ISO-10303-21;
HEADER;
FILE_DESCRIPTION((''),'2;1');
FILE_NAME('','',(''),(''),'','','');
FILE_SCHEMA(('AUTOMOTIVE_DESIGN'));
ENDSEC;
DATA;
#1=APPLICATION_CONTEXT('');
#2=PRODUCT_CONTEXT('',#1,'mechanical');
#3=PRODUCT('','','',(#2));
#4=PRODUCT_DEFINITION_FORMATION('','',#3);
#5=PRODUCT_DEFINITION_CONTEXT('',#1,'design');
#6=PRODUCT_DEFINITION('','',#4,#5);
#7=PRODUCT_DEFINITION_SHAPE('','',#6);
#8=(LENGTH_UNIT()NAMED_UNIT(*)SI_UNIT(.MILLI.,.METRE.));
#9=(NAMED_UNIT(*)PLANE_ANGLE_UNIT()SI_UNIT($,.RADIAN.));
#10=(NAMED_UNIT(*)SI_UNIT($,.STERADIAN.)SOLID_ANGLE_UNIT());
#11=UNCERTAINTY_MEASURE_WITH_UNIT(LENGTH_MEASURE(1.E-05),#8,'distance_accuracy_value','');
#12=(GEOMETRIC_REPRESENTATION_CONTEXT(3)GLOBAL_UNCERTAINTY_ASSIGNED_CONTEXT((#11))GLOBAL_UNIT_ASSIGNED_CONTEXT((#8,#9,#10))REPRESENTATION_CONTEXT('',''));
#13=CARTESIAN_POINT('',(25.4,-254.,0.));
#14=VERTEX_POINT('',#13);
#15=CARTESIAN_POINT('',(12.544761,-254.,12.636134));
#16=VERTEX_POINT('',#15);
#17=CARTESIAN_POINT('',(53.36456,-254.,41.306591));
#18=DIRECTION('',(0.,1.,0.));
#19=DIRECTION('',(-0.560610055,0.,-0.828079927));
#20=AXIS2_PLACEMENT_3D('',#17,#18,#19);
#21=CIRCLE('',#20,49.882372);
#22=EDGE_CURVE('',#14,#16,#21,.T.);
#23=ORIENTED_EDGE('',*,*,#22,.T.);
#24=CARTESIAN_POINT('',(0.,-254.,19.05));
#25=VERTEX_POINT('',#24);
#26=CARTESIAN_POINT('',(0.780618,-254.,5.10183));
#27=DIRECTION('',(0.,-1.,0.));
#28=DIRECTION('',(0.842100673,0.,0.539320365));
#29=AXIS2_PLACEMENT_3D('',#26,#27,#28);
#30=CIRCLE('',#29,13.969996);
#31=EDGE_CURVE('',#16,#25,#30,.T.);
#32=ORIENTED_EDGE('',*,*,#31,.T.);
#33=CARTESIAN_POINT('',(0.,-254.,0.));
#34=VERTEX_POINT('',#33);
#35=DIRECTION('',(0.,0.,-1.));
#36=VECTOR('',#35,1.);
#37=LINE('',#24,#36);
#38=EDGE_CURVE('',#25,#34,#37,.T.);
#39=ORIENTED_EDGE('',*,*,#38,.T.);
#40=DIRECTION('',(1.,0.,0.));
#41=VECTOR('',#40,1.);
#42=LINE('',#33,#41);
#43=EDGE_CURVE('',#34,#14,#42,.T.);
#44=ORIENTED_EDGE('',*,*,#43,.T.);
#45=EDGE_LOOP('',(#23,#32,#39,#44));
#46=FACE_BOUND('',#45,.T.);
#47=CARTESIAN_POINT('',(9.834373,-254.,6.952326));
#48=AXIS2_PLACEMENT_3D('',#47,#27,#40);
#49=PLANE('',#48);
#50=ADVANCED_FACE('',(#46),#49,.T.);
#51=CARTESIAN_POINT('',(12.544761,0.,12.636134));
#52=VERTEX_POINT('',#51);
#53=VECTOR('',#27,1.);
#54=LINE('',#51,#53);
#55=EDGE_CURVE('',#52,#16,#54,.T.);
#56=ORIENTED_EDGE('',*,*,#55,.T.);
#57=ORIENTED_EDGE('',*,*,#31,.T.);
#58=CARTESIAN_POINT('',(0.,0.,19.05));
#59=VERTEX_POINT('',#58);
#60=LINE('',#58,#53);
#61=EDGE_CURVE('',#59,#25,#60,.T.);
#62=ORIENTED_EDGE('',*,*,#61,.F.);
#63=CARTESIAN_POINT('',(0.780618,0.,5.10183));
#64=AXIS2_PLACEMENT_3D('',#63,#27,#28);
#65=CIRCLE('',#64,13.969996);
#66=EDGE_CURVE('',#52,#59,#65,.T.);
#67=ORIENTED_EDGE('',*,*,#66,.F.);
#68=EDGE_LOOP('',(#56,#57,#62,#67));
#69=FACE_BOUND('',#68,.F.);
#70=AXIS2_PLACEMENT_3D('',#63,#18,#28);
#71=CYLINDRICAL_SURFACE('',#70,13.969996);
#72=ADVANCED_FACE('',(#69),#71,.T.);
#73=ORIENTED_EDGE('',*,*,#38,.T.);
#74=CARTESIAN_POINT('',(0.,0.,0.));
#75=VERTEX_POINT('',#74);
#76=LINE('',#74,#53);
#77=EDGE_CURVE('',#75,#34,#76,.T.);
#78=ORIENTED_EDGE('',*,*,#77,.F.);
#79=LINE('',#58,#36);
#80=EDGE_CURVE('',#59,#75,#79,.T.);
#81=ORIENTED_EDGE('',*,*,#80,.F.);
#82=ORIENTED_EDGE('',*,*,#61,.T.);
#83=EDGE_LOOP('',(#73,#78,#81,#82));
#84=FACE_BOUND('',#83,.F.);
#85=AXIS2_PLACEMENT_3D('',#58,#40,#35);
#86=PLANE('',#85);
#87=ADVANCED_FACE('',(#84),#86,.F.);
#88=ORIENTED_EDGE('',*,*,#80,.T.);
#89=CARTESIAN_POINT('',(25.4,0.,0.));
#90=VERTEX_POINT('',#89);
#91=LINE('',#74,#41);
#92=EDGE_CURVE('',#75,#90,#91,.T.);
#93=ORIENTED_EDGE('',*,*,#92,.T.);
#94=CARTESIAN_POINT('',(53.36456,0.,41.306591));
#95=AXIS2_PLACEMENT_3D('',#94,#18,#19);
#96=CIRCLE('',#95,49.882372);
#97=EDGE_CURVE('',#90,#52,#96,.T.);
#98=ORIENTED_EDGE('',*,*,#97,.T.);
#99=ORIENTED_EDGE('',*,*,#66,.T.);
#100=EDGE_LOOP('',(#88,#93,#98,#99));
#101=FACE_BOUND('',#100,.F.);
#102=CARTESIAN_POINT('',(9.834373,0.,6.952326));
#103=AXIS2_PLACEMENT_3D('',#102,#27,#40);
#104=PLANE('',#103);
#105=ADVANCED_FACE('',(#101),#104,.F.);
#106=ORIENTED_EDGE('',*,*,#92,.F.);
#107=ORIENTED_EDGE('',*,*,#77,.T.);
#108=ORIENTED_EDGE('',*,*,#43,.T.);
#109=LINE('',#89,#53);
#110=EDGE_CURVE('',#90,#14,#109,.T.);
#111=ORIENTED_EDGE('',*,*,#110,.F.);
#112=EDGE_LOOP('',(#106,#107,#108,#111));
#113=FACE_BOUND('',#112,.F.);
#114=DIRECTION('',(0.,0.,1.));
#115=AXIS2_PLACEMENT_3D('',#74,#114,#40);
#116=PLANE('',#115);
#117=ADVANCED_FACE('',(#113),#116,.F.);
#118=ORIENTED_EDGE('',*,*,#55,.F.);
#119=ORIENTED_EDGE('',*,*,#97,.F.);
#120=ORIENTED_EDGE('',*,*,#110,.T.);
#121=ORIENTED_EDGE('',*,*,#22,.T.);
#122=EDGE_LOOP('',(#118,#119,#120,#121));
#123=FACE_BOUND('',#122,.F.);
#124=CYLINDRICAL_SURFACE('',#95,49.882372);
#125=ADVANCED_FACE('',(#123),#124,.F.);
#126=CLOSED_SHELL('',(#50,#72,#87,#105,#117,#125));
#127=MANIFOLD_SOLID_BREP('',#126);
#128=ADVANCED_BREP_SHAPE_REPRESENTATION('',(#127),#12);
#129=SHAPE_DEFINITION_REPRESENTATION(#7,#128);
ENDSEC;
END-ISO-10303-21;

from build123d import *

# Parameters (mm, degrees)
F1_DEPTH = 254


with BuildPart() as f1:
    # F0 (on Front) → F1 (new body)
    with BuildSketch(Plane.XZ):
        with BuildLine():
            Line((0, 19.05), (0, 0))
            Line((0, 0), (25.4, 0))
            ThreePointArc((25.4, 0), (18.396861, 5.732568), (12.544761, 12.636134))
            ThreePointArc((12.544761, 12.636134), (7.140168, 17.540356), (0, 19.05))
        make_face()
    extrude(amount=F1_DEPTH)


solid = f1.part
